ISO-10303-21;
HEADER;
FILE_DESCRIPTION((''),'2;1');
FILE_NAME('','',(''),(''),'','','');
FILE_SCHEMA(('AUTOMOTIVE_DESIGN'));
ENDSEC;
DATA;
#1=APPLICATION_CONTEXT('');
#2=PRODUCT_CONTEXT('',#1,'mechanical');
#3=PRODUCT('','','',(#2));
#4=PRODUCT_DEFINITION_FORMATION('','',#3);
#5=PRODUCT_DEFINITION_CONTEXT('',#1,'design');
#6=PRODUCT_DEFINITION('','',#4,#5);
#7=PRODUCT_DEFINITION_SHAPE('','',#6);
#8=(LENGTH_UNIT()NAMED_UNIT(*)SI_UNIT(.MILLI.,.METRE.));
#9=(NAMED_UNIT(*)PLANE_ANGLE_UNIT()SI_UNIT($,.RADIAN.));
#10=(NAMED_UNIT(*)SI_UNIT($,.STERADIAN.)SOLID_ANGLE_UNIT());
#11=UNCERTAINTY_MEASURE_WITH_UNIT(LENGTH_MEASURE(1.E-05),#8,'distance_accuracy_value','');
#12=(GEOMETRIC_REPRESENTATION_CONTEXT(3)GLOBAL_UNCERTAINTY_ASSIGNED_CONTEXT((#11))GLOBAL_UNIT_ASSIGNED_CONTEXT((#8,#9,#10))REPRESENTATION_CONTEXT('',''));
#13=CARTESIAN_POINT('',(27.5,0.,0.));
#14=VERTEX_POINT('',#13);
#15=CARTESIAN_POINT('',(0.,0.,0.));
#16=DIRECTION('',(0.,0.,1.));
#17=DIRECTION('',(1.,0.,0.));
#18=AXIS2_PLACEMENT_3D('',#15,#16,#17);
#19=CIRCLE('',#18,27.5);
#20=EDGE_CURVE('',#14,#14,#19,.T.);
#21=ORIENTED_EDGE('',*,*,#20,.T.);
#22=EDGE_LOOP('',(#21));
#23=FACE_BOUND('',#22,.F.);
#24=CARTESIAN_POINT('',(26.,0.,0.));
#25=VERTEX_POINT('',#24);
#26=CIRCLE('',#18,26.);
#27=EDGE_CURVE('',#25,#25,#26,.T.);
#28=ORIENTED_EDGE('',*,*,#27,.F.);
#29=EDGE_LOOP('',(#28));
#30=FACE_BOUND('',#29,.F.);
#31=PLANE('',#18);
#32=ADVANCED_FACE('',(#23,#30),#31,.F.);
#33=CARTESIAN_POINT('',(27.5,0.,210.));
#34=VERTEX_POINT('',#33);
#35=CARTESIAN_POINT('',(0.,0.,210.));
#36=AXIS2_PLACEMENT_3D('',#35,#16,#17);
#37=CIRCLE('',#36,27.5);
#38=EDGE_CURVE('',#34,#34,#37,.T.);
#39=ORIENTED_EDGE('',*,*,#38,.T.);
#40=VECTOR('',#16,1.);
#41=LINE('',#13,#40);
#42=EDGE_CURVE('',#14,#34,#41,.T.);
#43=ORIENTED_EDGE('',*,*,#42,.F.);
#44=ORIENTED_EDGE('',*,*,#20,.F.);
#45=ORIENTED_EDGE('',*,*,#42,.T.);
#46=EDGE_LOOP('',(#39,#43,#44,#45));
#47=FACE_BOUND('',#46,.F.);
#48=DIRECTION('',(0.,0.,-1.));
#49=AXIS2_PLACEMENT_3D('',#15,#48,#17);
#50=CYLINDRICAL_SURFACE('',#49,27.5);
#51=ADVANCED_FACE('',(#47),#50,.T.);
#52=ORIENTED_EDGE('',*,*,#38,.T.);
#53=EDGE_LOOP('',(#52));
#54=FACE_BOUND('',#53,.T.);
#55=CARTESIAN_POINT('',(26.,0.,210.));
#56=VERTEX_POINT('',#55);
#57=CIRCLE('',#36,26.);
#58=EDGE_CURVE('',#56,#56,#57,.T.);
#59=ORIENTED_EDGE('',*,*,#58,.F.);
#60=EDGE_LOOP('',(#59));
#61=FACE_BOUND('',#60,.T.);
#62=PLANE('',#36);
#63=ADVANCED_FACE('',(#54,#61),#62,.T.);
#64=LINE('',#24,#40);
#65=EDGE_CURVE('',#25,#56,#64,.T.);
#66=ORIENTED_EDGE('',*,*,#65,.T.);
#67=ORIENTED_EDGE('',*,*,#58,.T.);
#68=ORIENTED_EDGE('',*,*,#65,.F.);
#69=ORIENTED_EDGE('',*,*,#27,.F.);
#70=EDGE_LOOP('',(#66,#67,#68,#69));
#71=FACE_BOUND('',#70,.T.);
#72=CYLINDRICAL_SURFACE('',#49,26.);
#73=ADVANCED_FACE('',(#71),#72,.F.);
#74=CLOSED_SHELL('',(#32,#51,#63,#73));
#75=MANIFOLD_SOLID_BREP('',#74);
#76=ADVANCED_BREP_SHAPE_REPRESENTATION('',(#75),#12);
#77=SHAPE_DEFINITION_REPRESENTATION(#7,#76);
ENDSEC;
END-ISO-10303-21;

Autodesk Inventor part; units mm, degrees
ref_plane "YZ Plane" through (0, 0, 0) normal (1, 0, 0) x (0, 1, 0)
ref_plane "XZ Plane" through (0, 0, 0) normal (0, 1, 0) x (-1, 0, 0)
ref_plane "XY Plane" through (0, 0, 0) normal (0, 0, 1) x (1, 0, 0)
sketch "Sketch1" plane through (0, 0, 0) normal (0, 0, 1) x (1, 0, 0)
  circle A0 centre (0, 0) radius 27.5
  circle A1 centre (0, 0) radius 26
  dimension "d0" = 55
  dimension "d1" = 52
extrude "Extrusion1" add sketch "Sketch1" along normal blind 210
properties part number "Engine" material "PLA"
